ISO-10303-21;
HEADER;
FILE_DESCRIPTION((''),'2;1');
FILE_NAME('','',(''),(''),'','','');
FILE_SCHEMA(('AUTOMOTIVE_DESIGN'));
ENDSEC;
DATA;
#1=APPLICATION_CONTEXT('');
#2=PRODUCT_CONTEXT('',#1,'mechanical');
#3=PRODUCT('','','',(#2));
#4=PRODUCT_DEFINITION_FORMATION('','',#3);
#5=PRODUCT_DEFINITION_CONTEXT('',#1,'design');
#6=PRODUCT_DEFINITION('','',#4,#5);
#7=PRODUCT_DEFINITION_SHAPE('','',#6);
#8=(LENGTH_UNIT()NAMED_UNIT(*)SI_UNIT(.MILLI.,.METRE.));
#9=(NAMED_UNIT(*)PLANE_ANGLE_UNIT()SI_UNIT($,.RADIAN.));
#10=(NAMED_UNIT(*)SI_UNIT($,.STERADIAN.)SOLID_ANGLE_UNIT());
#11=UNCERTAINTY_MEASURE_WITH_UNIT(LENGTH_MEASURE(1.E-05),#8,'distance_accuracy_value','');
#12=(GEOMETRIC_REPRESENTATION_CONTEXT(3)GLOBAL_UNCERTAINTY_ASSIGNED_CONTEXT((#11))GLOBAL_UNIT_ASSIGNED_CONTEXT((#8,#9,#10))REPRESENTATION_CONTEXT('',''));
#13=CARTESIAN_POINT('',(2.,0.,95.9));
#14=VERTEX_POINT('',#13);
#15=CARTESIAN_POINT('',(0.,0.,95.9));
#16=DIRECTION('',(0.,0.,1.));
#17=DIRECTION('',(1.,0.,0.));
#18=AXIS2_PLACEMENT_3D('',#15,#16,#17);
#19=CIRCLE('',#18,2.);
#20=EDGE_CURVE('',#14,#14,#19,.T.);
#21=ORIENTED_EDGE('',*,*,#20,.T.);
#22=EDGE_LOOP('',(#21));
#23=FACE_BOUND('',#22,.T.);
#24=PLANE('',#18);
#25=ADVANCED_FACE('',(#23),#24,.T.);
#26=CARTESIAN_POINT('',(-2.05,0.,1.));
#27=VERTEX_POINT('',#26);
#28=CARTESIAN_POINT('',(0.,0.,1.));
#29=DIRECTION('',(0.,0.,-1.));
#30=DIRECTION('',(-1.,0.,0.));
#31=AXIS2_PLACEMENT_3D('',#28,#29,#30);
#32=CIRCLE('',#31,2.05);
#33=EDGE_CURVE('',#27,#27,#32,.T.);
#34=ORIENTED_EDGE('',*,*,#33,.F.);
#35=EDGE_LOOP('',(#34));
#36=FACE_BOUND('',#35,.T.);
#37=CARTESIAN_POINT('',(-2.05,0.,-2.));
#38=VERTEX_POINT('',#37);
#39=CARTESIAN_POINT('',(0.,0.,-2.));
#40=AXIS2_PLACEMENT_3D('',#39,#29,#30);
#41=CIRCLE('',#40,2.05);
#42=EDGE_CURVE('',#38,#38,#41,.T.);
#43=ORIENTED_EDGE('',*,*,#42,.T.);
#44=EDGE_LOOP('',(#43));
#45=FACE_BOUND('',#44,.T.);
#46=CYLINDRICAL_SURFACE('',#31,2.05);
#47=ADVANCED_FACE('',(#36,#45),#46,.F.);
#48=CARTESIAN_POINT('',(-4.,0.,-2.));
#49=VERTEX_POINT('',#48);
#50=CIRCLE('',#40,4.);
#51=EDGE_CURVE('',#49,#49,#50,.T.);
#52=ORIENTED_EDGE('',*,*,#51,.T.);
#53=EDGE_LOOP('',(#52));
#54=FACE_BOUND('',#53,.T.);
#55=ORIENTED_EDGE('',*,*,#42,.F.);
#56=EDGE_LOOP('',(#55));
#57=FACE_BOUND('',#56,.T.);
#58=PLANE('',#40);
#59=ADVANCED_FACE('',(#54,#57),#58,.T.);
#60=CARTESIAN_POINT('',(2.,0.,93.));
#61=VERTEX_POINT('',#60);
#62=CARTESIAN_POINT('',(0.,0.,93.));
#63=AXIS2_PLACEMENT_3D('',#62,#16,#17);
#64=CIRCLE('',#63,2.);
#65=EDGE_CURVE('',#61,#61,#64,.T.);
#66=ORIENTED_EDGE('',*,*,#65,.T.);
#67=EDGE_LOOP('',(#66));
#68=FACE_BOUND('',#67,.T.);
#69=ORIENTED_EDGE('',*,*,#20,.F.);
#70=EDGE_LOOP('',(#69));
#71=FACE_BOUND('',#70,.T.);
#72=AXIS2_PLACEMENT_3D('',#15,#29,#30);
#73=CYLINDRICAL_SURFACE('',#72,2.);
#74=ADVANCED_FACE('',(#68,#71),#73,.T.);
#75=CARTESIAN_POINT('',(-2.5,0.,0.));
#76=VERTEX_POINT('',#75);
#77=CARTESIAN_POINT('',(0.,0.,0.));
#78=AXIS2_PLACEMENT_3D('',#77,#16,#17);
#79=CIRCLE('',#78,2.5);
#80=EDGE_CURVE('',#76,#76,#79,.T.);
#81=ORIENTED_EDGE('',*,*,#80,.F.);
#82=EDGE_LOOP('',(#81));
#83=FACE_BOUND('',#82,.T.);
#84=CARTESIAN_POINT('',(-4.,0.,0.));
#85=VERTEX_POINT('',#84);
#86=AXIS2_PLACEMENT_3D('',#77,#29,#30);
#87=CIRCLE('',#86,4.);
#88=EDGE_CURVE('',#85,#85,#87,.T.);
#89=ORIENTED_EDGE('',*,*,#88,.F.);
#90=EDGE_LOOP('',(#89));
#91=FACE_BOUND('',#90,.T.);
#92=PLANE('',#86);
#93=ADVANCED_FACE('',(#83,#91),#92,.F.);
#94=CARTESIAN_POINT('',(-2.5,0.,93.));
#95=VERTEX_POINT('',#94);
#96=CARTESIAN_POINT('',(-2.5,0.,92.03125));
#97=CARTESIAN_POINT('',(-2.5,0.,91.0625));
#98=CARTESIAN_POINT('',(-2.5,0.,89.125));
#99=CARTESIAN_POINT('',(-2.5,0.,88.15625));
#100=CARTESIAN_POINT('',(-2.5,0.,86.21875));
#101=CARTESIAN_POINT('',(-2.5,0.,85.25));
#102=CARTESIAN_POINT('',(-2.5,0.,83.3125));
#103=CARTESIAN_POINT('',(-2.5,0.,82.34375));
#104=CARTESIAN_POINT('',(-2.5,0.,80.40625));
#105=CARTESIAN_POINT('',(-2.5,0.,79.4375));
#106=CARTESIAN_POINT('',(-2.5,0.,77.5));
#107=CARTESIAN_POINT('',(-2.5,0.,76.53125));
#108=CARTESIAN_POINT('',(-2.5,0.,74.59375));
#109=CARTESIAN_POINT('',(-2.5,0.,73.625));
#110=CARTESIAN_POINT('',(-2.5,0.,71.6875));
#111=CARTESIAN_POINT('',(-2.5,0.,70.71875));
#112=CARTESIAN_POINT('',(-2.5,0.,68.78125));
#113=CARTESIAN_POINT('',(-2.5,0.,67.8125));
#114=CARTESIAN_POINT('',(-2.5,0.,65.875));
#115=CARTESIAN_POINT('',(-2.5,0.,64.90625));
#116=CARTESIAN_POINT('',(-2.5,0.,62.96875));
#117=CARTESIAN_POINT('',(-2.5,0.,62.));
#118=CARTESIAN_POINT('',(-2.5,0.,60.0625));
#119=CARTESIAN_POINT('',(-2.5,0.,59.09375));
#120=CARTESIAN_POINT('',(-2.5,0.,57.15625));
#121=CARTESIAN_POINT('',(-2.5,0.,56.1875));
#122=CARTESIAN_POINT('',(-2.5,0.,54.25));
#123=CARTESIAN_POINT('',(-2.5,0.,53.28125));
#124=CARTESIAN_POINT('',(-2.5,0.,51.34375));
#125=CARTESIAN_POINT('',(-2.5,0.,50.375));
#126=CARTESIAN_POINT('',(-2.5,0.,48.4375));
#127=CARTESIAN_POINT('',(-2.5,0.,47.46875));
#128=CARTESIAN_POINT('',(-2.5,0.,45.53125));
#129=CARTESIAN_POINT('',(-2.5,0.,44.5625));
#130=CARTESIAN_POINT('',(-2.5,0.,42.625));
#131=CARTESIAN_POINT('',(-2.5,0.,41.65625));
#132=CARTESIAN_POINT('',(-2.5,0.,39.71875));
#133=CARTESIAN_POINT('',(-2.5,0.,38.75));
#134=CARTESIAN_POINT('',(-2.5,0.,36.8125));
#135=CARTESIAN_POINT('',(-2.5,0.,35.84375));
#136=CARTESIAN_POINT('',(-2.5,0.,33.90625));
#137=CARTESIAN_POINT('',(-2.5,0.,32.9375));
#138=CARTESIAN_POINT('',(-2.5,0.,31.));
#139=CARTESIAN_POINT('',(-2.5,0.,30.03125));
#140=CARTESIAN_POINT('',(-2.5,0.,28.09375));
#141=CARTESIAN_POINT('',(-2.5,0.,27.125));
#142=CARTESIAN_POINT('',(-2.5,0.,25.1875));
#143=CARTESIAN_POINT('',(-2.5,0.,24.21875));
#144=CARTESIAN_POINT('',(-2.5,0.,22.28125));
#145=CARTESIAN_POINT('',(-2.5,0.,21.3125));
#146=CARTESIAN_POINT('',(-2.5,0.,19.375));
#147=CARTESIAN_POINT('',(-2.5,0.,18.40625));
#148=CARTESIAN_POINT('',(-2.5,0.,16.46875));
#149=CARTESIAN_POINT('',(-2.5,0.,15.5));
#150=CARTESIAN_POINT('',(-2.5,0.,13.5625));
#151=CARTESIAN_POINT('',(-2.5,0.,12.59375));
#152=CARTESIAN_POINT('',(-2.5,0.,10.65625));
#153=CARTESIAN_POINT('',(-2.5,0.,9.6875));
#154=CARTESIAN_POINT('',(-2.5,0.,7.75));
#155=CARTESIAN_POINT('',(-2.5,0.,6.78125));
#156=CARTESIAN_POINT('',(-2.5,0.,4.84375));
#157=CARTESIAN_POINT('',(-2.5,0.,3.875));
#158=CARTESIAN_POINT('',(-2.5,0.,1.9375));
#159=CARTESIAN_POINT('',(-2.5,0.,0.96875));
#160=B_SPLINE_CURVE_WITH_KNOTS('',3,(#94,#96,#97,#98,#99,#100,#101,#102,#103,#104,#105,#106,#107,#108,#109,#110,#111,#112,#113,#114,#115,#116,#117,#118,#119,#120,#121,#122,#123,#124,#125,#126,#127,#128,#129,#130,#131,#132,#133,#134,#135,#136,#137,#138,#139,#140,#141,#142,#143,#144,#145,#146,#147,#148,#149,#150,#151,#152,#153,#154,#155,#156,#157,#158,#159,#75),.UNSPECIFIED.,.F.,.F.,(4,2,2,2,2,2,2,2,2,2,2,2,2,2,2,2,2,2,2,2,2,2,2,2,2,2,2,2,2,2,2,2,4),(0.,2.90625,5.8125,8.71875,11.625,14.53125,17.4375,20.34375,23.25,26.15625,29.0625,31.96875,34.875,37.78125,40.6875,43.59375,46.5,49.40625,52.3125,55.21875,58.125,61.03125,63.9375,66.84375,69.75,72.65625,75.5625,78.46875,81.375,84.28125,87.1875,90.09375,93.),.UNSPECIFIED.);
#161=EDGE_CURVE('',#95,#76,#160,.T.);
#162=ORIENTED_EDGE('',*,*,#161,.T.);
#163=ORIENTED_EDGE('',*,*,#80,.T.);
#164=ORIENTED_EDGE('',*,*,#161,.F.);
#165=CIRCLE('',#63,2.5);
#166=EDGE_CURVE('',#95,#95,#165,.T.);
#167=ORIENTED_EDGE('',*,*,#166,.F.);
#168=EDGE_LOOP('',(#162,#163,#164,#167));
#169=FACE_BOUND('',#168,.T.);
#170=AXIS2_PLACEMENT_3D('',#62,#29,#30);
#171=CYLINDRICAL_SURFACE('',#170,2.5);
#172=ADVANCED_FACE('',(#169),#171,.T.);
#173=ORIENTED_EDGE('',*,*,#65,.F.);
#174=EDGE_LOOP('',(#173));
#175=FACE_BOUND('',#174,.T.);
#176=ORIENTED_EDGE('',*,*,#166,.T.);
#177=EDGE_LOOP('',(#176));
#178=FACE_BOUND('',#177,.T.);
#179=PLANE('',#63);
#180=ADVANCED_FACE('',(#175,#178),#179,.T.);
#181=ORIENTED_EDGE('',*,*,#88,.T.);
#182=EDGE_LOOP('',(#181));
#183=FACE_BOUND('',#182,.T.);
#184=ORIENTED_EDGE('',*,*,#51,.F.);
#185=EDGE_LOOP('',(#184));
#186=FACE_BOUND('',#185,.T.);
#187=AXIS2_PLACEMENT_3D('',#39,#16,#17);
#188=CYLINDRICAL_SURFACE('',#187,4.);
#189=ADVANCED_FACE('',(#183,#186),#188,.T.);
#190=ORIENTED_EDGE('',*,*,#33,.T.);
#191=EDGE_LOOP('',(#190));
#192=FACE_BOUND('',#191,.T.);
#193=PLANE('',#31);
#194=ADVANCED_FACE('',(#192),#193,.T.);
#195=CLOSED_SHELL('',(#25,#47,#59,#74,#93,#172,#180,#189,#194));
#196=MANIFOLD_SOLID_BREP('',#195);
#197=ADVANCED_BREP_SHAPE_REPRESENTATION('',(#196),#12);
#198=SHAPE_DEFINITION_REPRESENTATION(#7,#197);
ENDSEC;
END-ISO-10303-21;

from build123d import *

# Parameters (mm, degrees)
SKETCH1_R           = 2.5
BOSS_EXTRUDE1_DEPTH = 93
SKETCH2_R           = 4
BOSS_EXTRUDE2_DEPTH = 2
SKETCH3_R           = 2.05
CUT_EXTRUDE1_DEPTH  = 3
SKETCH4_R           = 2
BOSS_EXTRUDE3_DEPTH = 2.9


with BuildPart() as part:
    # Sketch1 → Boss-Extrude1 (new body)
    with BuildSketch(Plane(origin=(0, 0, 0), x_dir=(0, 1, 0), z_dir=(0, 0, 1))):
        with Locations(Location((0, 0, 0), (0, 0, 90))):
            Circle(SKETCH1_R)
    extrude(amount=BOSS_EXTRUDE1_DEPTH)

    # Sketch2 → Boss-Extrude2 (add)
    with BuildSketch(Plane(origin=(0, 0, 0), x_dir=(1, 0, 0), z_dir=(0, 0, -1))):
        with Locations(Location((0, 0, 0), (0, 0, 180))):
            Circle(SKETCH2_R)
    extrude(amount=BOSS_EXTRUDE2_DEPTH)

    # Sketch3 → Cut-Extrude1 (cut)
    with BuildSketch(Plane(origin=(0, 0, -2), x_dir=(1, 0, 0), z_dir=(0, 0, -1))):
        with Locations(Location((0, 0, 0), (0, 0, 180))):
            Circle(SKETCH3_R)
    extrude(amount=-CUT_EXTRUDE1_DEPTH, mode=Mode.SUBTRACT)

    # Sketch4 → Boss-Extrude3 (add)
    with BuildSketch(Plane.XY.offset(93)):
        Circle(SKETCH4_R)
    extrude(amount=BOSS_EXTRUDE3_DEPTH)


solid = part.part
